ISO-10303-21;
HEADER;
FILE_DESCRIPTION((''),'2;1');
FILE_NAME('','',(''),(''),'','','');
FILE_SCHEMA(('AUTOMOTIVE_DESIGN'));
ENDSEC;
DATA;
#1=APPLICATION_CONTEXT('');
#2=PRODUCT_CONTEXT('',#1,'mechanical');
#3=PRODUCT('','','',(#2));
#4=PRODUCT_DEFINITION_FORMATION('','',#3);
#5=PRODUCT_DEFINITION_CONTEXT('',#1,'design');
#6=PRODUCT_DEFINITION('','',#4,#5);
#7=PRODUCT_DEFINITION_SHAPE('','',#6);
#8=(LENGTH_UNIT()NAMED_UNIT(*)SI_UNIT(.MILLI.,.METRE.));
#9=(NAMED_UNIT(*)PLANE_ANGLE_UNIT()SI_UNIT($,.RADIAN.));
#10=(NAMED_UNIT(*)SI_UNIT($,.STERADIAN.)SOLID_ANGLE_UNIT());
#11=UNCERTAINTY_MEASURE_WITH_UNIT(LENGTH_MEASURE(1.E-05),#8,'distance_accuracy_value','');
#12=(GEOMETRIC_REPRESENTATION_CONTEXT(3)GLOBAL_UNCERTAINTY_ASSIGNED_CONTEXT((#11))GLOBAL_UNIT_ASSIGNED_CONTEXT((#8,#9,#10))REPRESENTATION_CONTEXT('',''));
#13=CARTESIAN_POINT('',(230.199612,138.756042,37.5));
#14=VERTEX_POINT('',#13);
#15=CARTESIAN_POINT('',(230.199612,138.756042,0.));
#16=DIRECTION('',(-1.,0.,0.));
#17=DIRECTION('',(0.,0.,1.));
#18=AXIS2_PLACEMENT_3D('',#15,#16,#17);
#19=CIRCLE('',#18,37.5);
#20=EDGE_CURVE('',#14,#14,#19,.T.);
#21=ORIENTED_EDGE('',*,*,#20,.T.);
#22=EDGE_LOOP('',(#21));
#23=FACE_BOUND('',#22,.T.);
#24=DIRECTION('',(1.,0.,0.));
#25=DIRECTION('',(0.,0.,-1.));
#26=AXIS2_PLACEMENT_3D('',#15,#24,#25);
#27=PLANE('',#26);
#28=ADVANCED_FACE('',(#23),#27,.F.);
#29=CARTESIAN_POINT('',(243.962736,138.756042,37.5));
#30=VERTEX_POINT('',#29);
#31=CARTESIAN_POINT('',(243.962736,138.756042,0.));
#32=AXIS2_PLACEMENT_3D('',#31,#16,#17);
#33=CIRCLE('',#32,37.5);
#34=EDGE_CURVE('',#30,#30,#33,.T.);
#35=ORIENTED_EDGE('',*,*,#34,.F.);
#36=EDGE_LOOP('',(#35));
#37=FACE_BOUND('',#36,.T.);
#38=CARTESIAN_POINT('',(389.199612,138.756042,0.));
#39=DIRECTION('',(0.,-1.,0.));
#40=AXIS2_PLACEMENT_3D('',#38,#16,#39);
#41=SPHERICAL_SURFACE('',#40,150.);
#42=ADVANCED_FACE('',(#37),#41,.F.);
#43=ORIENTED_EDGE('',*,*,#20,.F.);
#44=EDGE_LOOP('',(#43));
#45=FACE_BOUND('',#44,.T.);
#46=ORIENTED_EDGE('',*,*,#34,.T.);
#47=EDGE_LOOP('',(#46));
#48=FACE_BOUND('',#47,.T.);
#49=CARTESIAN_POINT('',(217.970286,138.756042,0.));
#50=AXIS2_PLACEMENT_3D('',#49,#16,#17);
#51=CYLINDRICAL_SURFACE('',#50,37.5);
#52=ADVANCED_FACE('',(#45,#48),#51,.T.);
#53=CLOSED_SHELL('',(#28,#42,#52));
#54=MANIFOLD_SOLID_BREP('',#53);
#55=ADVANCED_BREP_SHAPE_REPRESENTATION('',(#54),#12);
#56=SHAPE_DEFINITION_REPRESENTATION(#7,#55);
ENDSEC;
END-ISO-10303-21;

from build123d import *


with BuildPart() as part:
    # 草图1 → 旋转1 (revolve)
    with BuildSketch(Plane.XY, mode=Mode.PRIVATE) as revolve_1_sk:
        with BuildLine():
            Line((230.199611905, 138.756042247), (230.199611905, 176.256042247))
            Line((230.199611905, 176.256042247), (243.962736422, 176.256042247))
            ThreePointArc((243.962736422, 176.256042247), (240.395157465, 157.656686119), (239.199611905, 138.756042247))
            Line((239.199611905, 138.756042247), (230.199611905, 138.756042247))
        make_face()
    revolve(revolve_1_sk.sketch.rotate(Axis((217.970286004, 138.756042247, 0), (1, 0, 0)), 180), axis=Axis((217.970286004, 138.756042247, 0), (1, 0, 0)))  # turned: the seam where the file's is


solid = part.part
